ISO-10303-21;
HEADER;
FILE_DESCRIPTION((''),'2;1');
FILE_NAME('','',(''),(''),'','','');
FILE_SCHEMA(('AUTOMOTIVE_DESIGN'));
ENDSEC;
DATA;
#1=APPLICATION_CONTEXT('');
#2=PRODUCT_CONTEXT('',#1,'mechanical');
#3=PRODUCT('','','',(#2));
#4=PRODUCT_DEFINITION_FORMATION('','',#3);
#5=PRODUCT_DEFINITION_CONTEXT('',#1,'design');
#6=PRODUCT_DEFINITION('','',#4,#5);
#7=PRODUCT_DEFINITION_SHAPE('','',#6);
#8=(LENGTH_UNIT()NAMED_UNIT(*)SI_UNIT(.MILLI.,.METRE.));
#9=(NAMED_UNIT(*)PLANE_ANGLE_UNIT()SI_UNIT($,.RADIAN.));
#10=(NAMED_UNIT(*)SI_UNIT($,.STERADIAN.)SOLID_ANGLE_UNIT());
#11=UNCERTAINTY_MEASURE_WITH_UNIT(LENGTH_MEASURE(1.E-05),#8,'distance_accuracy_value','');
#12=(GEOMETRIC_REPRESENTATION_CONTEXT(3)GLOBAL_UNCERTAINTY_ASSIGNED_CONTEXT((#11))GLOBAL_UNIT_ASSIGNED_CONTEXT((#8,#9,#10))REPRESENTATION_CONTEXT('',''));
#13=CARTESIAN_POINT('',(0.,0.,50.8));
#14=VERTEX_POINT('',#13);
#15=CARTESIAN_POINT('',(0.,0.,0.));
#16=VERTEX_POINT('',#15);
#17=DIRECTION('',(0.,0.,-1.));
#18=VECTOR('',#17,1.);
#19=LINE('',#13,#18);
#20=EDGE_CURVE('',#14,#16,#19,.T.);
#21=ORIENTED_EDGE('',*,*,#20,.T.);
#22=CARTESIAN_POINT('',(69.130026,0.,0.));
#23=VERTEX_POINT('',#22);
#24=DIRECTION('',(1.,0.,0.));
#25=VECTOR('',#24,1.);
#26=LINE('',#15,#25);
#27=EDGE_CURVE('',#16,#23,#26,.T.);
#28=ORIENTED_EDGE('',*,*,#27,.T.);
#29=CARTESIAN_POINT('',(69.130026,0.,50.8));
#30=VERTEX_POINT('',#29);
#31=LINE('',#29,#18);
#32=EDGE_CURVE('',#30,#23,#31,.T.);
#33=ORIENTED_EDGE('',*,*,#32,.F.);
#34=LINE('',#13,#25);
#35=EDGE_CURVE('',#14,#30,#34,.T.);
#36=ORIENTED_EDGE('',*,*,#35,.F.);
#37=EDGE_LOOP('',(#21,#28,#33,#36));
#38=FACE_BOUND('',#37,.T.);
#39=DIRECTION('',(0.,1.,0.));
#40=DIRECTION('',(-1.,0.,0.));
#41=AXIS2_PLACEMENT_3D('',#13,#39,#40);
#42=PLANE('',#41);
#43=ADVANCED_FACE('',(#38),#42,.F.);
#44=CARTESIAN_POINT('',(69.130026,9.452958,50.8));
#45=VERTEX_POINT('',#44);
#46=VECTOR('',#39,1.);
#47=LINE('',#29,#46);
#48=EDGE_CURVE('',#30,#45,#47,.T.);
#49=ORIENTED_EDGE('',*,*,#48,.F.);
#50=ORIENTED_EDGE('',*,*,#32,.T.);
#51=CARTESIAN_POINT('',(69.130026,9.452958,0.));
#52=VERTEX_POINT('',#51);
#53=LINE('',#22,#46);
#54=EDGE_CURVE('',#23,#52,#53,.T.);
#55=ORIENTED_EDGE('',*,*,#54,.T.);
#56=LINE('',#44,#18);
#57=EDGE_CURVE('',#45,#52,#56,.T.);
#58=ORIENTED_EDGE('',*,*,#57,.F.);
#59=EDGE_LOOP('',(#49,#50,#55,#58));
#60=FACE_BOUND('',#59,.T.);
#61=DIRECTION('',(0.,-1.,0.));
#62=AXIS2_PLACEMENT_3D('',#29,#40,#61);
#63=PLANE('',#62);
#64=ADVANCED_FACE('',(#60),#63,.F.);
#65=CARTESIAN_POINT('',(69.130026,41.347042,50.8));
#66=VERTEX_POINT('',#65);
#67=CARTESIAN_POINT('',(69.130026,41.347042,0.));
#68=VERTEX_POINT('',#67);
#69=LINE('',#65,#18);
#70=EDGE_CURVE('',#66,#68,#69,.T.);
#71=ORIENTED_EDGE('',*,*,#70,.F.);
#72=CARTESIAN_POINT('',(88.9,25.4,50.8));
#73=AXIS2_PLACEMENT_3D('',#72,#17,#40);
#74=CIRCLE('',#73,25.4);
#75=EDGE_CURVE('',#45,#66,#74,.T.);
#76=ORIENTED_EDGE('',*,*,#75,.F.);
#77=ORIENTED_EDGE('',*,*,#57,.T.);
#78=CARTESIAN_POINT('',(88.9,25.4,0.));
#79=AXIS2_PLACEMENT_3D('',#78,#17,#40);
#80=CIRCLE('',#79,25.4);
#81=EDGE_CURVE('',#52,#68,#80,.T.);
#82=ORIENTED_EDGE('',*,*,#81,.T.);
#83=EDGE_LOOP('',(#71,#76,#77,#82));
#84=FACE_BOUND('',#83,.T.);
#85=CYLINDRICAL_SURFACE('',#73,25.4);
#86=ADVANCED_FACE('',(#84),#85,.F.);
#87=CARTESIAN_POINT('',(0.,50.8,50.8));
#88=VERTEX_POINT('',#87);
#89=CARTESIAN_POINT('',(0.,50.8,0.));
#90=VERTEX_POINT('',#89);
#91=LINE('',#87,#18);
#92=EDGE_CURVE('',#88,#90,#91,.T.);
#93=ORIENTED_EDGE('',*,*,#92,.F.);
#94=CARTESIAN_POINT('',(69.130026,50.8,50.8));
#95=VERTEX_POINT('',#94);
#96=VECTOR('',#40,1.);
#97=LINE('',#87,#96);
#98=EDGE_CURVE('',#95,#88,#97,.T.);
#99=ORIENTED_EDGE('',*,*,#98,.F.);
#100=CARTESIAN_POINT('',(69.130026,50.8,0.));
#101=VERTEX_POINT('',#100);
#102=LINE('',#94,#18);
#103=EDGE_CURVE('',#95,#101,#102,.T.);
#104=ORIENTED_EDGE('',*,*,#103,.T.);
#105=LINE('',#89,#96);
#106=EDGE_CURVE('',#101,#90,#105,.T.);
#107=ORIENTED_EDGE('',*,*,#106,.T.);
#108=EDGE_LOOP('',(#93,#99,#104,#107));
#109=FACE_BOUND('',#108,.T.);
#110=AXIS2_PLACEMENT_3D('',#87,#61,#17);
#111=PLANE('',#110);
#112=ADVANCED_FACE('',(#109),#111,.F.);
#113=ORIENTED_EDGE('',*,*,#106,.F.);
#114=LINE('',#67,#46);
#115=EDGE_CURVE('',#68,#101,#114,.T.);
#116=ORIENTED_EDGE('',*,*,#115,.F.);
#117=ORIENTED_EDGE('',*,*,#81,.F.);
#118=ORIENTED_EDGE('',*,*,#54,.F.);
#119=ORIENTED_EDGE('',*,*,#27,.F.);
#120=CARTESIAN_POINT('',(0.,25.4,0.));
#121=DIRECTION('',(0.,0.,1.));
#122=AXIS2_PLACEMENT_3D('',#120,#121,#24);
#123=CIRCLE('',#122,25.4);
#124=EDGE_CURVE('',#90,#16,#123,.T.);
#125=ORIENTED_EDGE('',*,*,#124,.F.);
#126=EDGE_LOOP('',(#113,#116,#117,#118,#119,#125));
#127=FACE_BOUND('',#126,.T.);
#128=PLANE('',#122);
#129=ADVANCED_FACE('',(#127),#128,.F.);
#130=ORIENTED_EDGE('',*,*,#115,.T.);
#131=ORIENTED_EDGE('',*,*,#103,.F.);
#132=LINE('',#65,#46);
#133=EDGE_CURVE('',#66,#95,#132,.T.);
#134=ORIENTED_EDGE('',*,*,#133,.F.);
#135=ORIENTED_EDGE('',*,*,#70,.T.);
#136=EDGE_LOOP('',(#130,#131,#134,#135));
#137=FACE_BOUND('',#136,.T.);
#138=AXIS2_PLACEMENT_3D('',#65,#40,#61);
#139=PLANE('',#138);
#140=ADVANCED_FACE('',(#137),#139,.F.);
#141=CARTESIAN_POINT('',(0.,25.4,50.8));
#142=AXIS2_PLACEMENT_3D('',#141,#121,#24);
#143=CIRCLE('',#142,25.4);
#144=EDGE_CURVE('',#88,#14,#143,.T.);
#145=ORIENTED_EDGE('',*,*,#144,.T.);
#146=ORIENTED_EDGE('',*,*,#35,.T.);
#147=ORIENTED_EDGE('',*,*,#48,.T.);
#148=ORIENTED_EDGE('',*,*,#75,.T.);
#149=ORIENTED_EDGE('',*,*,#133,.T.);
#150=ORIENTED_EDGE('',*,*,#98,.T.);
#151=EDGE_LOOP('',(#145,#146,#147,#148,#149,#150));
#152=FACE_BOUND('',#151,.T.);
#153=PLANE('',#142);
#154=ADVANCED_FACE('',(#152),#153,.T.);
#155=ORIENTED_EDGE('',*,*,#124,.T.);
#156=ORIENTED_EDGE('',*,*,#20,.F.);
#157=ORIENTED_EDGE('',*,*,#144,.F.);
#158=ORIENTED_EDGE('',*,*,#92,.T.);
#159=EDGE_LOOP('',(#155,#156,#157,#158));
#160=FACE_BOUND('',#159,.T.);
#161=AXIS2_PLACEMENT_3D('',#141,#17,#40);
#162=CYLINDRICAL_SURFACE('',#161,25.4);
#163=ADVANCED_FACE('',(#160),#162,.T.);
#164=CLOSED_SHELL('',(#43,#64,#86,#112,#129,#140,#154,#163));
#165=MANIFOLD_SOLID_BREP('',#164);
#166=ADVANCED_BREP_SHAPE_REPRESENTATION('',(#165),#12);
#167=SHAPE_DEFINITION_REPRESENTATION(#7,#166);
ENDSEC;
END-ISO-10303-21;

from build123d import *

# Parameters (mm, degrees)
BOSS_EXTRUDE1_DEPTH = 50.8


with BuildPart() as part:
    # Sketch1 → Boss-Extrude1 (new body)
    with BuildSketch(Plane.XY):
        with BuildLine():
            Line((0, 0), (69.130026135, 0))
            Line((69.130026135, 0), (69.130026135, 9.452958475))
            ThreePointArc((69.130026135, 9.452958475), (63.5, 25.4), (69.130026135, 41.347041525))
            Line((69.130026135, 41.347041525), (69.130026135, 50.8))
            Line((69.130026135, 50.8), (0, 50.8))
            ThreePointArc((0, 50.8), (-25.4, 25.4), (0, 0))
        make_face()
    extrude(amount=BOSS_EXTRUDE1_DEPTH)


solid = part.part
